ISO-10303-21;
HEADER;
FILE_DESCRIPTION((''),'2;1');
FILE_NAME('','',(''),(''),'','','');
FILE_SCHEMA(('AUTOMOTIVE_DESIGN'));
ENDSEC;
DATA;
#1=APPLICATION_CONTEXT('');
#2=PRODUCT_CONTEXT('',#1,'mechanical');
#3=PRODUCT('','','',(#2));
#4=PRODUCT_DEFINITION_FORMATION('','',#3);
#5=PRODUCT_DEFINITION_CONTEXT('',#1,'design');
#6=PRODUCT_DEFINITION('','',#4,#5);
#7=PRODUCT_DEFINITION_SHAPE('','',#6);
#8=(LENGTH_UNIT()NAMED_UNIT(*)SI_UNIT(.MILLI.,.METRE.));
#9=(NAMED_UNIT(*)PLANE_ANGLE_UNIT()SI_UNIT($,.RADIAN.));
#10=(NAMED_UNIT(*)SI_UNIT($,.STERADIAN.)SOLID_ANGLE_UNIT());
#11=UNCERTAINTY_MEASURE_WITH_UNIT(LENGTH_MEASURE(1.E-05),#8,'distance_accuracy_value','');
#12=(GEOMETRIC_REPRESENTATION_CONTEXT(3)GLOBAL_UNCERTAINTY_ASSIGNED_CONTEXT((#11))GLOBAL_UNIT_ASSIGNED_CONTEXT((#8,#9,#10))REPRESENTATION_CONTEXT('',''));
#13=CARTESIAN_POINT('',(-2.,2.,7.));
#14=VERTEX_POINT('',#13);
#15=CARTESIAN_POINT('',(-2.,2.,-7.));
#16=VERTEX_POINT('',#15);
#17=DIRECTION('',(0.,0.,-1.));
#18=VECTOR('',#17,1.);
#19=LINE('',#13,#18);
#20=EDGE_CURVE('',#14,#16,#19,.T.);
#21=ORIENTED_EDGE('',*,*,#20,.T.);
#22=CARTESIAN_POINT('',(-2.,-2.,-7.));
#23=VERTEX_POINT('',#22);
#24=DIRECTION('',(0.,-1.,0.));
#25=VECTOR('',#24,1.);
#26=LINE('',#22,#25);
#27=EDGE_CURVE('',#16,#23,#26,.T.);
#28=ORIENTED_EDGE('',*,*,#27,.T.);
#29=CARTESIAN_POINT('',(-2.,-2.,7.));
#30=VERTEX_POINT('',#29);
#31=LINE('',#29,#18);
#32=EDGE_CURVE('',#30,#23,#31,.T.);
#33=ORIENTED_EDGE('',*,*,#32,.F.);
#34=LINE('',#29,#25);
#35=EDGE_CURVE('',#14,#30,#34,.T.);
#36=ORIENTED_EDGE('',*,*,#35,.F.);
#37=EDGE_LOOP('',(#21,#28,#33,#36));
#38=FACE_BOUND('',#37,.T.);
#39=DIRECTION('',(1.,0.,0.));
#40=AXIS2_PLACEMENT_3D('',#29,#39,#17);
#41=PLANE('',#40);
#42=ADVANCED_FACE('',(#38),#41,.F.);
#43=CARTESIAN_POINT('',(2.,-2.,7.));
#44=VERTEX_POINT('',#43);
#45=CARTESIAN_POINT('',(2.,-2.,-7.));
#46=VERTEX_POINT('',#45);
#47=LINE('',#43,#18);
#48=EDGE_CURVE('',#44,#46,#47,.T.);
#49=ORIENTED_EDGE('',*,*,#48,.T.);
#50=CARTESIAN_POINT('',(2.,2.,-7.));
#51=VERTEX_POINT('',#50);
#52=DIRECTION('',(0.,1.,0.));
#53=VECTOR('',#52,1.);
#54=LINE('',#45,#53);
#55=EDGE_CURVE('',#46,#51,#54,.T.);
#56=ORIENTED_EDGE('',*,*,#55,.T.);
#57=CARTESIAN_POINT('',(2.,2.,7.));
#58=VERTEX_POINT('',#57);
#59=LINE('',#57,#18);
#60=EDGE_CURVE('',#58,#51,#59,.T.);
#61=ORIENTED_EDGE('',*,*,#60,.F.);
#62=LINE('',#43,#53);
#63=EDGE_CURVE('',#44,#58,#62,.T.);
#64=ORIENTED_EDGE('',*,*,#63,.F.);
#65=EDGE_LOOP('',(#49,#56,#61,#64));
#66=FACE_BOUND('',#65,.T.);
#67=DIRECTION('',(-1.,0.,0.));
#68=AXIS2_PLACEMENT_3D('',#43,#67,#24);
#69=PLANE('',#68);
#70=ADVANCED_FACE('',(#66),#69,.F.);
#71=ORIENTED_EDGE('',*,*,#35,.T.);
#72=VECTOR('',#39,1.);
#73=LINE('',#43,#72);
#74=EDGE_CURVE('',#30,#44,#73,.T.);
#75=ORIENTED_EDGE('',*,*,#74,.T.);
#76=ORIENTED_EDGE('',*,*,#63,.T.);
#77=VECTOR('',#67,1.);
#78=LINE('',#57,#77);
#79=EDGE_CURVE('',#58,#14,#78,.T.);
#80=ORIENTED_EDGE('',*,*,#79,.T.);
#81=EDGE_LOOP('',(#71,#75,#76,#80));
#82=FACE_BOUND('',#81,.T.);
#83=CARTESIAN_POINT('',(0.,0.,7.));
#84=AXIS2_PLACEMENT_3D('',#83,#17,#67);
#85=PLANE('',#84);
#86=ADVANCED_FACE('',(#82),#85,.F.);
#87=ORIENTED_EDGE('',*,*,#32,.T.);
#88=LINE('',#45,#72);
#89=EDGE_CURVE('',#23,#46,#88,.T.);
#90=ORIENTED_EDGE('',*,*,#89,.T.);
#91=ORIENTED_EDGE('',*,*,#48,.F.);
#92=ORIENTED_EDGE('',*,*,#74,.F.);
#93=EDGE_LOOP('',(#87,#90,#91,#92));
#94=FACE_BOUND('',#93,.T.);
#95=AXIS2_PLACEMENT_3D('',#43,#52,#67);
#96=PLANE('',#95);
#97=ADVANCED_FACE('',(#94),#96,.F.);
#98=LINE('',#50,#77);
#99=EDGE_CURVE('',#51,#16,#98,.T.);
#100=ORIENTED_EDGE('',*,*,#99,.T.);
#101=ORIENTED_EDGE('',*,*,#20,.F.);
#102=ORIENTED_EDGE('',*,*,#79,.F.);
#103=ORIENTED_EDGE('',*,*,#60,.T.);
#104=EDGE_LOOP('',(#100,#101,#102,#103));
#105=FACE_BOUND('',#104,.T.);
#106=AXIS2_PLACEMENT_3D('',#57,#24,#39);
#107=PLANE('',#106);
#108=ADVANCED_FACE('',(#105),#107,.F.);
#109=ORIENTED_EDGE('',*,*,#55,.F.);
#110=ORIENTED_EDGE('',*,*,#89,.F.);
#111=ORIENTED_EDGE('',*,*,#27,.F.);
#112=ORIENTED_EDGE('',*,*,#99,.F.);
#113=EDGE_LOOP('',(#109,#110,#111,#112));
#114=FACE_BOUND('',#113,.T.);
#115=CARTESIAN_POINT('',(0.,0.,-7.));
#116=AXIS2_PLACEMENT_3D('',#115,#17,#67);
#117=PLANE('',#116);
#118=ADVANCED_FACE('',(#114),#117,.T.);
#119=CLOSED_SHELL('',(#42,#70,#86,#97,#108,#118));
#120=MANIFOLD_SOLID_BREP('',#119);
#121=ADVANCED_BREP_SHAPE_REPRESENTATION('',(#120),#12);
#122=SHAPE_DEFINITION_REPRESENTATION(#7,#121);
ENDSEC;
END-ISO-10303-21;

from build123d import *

# Parameters (mm, degrees)
BOSS_EXTRUDE1_DEPTH      = 7
BOSS_EXTRUDE1_DEPTH_BACK = 7
SKETCH3_W                = 4
SKETCH3_H                = 4


with BuildPart() as part:
    # Sketch3 → Boss-Extrude1 (new, two sides: drawn at the far end of the back side and taken through both)
    with BuildSketch(Plane.XY.offset(-BOSS_EXTRUDE1_DEPTH_BACK)):
        Rectangle(SKETCH3_W, SKETCH3_H)
    extrude(amount=BOSS_EXTRUDE1_DEPTH + BOSS_EXTRUDE1_DEPTH_BACK)


solid = part.part
